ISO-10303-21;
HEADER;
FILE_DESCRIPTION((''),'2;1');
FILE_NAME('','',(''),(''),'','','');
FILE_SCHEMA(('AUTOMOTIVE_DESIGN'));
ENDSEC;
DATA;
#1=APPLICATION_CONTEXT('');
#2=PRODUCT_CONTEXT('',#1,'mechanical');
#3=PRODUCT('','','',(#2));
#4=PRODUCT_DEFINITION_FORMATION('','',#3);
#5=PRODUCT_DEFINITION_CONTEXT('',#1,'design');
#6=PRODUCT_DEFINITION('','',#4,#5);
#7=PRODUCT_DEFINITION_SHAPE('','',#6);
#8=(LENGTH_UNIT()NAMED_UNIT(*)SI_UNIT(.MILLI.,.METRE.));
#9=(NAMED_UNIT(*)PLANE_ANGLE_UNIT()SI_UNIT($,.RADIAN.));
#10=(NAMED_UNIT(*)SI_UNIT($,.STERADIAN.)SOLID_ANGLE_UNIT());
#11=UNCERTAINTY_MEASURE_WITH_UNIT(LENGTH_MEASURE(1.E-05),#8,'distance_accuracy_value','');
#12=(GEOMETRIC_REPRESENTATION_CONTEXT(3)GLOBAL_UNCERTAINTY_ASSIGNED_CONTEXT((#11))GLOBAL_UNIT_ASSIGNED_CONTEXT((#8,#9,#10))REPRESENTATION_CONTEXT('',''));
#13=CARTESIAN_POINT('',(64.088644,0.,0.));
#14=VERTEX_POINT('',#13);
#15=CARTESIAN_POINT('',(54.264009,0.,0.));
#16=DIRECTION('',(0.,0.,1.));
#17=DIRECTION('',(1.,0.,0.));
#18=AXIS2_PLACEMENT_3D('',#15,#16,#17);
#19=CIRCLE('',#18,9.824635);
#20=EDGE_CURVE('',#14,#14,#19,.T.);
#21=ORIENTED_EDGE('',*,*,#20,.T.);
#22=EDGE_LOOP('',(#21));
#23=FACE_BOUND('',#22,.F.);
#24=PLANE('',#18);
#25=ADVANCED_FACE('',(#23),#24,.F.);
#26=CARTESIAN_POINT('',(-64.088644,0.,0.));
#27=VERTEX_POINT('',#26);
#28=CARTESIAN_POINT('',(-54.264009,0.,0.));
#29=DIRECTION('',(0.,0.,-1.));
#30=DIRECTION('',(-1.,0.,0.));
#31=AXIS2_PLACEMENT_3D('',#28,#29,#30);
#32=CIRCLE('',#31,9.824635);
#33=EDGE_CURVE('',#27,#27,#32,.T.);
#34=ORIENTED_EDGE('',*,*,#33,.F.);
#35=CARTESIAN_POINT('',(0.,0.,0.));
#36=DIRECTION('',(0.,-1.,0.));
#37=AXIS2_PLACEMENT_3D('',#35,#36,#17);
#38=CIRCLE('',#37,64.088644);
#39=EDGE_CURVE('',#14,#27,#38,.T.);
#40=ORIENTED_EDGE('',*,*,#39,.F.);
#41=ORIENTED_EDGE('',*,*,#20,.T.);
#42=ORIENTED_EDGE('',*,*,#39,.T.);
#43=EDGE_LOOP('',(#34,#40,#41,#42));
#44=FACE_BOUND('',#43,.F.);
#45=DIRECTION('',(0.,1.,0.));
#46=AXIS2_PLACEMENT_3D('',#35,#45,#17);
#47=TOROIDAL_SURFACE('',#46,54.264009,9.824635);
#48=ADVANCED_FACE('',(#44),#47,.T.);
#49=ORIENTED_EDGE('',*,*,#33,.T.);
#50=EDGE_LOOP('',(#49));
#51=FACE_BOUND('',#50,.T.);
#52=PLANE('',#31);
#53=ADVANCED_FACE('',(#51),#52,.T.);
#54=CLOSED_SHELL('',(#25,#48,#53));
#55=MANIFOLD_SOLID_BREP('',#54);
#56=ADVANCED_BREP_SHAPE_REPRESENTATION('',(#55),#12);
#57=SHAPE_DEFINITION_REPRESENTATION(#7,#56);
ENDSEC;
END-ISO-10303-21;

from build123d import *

# Parameters (mm, degrees)
F1_R     = 9.824635
F2_ANGLE = 180


with BuildPart() as f2:
    # F1 (on Top) → F2 (revolve)
    with BuildSketch(Plane.XY):
        with Locations((54.264009, 0)):
            Circle(F1_R)
    revolve(axis=Axis((0, 0, 0), (0, -1, 0)), revolution_arc=F2_ANGLE)


solid = f2.part
